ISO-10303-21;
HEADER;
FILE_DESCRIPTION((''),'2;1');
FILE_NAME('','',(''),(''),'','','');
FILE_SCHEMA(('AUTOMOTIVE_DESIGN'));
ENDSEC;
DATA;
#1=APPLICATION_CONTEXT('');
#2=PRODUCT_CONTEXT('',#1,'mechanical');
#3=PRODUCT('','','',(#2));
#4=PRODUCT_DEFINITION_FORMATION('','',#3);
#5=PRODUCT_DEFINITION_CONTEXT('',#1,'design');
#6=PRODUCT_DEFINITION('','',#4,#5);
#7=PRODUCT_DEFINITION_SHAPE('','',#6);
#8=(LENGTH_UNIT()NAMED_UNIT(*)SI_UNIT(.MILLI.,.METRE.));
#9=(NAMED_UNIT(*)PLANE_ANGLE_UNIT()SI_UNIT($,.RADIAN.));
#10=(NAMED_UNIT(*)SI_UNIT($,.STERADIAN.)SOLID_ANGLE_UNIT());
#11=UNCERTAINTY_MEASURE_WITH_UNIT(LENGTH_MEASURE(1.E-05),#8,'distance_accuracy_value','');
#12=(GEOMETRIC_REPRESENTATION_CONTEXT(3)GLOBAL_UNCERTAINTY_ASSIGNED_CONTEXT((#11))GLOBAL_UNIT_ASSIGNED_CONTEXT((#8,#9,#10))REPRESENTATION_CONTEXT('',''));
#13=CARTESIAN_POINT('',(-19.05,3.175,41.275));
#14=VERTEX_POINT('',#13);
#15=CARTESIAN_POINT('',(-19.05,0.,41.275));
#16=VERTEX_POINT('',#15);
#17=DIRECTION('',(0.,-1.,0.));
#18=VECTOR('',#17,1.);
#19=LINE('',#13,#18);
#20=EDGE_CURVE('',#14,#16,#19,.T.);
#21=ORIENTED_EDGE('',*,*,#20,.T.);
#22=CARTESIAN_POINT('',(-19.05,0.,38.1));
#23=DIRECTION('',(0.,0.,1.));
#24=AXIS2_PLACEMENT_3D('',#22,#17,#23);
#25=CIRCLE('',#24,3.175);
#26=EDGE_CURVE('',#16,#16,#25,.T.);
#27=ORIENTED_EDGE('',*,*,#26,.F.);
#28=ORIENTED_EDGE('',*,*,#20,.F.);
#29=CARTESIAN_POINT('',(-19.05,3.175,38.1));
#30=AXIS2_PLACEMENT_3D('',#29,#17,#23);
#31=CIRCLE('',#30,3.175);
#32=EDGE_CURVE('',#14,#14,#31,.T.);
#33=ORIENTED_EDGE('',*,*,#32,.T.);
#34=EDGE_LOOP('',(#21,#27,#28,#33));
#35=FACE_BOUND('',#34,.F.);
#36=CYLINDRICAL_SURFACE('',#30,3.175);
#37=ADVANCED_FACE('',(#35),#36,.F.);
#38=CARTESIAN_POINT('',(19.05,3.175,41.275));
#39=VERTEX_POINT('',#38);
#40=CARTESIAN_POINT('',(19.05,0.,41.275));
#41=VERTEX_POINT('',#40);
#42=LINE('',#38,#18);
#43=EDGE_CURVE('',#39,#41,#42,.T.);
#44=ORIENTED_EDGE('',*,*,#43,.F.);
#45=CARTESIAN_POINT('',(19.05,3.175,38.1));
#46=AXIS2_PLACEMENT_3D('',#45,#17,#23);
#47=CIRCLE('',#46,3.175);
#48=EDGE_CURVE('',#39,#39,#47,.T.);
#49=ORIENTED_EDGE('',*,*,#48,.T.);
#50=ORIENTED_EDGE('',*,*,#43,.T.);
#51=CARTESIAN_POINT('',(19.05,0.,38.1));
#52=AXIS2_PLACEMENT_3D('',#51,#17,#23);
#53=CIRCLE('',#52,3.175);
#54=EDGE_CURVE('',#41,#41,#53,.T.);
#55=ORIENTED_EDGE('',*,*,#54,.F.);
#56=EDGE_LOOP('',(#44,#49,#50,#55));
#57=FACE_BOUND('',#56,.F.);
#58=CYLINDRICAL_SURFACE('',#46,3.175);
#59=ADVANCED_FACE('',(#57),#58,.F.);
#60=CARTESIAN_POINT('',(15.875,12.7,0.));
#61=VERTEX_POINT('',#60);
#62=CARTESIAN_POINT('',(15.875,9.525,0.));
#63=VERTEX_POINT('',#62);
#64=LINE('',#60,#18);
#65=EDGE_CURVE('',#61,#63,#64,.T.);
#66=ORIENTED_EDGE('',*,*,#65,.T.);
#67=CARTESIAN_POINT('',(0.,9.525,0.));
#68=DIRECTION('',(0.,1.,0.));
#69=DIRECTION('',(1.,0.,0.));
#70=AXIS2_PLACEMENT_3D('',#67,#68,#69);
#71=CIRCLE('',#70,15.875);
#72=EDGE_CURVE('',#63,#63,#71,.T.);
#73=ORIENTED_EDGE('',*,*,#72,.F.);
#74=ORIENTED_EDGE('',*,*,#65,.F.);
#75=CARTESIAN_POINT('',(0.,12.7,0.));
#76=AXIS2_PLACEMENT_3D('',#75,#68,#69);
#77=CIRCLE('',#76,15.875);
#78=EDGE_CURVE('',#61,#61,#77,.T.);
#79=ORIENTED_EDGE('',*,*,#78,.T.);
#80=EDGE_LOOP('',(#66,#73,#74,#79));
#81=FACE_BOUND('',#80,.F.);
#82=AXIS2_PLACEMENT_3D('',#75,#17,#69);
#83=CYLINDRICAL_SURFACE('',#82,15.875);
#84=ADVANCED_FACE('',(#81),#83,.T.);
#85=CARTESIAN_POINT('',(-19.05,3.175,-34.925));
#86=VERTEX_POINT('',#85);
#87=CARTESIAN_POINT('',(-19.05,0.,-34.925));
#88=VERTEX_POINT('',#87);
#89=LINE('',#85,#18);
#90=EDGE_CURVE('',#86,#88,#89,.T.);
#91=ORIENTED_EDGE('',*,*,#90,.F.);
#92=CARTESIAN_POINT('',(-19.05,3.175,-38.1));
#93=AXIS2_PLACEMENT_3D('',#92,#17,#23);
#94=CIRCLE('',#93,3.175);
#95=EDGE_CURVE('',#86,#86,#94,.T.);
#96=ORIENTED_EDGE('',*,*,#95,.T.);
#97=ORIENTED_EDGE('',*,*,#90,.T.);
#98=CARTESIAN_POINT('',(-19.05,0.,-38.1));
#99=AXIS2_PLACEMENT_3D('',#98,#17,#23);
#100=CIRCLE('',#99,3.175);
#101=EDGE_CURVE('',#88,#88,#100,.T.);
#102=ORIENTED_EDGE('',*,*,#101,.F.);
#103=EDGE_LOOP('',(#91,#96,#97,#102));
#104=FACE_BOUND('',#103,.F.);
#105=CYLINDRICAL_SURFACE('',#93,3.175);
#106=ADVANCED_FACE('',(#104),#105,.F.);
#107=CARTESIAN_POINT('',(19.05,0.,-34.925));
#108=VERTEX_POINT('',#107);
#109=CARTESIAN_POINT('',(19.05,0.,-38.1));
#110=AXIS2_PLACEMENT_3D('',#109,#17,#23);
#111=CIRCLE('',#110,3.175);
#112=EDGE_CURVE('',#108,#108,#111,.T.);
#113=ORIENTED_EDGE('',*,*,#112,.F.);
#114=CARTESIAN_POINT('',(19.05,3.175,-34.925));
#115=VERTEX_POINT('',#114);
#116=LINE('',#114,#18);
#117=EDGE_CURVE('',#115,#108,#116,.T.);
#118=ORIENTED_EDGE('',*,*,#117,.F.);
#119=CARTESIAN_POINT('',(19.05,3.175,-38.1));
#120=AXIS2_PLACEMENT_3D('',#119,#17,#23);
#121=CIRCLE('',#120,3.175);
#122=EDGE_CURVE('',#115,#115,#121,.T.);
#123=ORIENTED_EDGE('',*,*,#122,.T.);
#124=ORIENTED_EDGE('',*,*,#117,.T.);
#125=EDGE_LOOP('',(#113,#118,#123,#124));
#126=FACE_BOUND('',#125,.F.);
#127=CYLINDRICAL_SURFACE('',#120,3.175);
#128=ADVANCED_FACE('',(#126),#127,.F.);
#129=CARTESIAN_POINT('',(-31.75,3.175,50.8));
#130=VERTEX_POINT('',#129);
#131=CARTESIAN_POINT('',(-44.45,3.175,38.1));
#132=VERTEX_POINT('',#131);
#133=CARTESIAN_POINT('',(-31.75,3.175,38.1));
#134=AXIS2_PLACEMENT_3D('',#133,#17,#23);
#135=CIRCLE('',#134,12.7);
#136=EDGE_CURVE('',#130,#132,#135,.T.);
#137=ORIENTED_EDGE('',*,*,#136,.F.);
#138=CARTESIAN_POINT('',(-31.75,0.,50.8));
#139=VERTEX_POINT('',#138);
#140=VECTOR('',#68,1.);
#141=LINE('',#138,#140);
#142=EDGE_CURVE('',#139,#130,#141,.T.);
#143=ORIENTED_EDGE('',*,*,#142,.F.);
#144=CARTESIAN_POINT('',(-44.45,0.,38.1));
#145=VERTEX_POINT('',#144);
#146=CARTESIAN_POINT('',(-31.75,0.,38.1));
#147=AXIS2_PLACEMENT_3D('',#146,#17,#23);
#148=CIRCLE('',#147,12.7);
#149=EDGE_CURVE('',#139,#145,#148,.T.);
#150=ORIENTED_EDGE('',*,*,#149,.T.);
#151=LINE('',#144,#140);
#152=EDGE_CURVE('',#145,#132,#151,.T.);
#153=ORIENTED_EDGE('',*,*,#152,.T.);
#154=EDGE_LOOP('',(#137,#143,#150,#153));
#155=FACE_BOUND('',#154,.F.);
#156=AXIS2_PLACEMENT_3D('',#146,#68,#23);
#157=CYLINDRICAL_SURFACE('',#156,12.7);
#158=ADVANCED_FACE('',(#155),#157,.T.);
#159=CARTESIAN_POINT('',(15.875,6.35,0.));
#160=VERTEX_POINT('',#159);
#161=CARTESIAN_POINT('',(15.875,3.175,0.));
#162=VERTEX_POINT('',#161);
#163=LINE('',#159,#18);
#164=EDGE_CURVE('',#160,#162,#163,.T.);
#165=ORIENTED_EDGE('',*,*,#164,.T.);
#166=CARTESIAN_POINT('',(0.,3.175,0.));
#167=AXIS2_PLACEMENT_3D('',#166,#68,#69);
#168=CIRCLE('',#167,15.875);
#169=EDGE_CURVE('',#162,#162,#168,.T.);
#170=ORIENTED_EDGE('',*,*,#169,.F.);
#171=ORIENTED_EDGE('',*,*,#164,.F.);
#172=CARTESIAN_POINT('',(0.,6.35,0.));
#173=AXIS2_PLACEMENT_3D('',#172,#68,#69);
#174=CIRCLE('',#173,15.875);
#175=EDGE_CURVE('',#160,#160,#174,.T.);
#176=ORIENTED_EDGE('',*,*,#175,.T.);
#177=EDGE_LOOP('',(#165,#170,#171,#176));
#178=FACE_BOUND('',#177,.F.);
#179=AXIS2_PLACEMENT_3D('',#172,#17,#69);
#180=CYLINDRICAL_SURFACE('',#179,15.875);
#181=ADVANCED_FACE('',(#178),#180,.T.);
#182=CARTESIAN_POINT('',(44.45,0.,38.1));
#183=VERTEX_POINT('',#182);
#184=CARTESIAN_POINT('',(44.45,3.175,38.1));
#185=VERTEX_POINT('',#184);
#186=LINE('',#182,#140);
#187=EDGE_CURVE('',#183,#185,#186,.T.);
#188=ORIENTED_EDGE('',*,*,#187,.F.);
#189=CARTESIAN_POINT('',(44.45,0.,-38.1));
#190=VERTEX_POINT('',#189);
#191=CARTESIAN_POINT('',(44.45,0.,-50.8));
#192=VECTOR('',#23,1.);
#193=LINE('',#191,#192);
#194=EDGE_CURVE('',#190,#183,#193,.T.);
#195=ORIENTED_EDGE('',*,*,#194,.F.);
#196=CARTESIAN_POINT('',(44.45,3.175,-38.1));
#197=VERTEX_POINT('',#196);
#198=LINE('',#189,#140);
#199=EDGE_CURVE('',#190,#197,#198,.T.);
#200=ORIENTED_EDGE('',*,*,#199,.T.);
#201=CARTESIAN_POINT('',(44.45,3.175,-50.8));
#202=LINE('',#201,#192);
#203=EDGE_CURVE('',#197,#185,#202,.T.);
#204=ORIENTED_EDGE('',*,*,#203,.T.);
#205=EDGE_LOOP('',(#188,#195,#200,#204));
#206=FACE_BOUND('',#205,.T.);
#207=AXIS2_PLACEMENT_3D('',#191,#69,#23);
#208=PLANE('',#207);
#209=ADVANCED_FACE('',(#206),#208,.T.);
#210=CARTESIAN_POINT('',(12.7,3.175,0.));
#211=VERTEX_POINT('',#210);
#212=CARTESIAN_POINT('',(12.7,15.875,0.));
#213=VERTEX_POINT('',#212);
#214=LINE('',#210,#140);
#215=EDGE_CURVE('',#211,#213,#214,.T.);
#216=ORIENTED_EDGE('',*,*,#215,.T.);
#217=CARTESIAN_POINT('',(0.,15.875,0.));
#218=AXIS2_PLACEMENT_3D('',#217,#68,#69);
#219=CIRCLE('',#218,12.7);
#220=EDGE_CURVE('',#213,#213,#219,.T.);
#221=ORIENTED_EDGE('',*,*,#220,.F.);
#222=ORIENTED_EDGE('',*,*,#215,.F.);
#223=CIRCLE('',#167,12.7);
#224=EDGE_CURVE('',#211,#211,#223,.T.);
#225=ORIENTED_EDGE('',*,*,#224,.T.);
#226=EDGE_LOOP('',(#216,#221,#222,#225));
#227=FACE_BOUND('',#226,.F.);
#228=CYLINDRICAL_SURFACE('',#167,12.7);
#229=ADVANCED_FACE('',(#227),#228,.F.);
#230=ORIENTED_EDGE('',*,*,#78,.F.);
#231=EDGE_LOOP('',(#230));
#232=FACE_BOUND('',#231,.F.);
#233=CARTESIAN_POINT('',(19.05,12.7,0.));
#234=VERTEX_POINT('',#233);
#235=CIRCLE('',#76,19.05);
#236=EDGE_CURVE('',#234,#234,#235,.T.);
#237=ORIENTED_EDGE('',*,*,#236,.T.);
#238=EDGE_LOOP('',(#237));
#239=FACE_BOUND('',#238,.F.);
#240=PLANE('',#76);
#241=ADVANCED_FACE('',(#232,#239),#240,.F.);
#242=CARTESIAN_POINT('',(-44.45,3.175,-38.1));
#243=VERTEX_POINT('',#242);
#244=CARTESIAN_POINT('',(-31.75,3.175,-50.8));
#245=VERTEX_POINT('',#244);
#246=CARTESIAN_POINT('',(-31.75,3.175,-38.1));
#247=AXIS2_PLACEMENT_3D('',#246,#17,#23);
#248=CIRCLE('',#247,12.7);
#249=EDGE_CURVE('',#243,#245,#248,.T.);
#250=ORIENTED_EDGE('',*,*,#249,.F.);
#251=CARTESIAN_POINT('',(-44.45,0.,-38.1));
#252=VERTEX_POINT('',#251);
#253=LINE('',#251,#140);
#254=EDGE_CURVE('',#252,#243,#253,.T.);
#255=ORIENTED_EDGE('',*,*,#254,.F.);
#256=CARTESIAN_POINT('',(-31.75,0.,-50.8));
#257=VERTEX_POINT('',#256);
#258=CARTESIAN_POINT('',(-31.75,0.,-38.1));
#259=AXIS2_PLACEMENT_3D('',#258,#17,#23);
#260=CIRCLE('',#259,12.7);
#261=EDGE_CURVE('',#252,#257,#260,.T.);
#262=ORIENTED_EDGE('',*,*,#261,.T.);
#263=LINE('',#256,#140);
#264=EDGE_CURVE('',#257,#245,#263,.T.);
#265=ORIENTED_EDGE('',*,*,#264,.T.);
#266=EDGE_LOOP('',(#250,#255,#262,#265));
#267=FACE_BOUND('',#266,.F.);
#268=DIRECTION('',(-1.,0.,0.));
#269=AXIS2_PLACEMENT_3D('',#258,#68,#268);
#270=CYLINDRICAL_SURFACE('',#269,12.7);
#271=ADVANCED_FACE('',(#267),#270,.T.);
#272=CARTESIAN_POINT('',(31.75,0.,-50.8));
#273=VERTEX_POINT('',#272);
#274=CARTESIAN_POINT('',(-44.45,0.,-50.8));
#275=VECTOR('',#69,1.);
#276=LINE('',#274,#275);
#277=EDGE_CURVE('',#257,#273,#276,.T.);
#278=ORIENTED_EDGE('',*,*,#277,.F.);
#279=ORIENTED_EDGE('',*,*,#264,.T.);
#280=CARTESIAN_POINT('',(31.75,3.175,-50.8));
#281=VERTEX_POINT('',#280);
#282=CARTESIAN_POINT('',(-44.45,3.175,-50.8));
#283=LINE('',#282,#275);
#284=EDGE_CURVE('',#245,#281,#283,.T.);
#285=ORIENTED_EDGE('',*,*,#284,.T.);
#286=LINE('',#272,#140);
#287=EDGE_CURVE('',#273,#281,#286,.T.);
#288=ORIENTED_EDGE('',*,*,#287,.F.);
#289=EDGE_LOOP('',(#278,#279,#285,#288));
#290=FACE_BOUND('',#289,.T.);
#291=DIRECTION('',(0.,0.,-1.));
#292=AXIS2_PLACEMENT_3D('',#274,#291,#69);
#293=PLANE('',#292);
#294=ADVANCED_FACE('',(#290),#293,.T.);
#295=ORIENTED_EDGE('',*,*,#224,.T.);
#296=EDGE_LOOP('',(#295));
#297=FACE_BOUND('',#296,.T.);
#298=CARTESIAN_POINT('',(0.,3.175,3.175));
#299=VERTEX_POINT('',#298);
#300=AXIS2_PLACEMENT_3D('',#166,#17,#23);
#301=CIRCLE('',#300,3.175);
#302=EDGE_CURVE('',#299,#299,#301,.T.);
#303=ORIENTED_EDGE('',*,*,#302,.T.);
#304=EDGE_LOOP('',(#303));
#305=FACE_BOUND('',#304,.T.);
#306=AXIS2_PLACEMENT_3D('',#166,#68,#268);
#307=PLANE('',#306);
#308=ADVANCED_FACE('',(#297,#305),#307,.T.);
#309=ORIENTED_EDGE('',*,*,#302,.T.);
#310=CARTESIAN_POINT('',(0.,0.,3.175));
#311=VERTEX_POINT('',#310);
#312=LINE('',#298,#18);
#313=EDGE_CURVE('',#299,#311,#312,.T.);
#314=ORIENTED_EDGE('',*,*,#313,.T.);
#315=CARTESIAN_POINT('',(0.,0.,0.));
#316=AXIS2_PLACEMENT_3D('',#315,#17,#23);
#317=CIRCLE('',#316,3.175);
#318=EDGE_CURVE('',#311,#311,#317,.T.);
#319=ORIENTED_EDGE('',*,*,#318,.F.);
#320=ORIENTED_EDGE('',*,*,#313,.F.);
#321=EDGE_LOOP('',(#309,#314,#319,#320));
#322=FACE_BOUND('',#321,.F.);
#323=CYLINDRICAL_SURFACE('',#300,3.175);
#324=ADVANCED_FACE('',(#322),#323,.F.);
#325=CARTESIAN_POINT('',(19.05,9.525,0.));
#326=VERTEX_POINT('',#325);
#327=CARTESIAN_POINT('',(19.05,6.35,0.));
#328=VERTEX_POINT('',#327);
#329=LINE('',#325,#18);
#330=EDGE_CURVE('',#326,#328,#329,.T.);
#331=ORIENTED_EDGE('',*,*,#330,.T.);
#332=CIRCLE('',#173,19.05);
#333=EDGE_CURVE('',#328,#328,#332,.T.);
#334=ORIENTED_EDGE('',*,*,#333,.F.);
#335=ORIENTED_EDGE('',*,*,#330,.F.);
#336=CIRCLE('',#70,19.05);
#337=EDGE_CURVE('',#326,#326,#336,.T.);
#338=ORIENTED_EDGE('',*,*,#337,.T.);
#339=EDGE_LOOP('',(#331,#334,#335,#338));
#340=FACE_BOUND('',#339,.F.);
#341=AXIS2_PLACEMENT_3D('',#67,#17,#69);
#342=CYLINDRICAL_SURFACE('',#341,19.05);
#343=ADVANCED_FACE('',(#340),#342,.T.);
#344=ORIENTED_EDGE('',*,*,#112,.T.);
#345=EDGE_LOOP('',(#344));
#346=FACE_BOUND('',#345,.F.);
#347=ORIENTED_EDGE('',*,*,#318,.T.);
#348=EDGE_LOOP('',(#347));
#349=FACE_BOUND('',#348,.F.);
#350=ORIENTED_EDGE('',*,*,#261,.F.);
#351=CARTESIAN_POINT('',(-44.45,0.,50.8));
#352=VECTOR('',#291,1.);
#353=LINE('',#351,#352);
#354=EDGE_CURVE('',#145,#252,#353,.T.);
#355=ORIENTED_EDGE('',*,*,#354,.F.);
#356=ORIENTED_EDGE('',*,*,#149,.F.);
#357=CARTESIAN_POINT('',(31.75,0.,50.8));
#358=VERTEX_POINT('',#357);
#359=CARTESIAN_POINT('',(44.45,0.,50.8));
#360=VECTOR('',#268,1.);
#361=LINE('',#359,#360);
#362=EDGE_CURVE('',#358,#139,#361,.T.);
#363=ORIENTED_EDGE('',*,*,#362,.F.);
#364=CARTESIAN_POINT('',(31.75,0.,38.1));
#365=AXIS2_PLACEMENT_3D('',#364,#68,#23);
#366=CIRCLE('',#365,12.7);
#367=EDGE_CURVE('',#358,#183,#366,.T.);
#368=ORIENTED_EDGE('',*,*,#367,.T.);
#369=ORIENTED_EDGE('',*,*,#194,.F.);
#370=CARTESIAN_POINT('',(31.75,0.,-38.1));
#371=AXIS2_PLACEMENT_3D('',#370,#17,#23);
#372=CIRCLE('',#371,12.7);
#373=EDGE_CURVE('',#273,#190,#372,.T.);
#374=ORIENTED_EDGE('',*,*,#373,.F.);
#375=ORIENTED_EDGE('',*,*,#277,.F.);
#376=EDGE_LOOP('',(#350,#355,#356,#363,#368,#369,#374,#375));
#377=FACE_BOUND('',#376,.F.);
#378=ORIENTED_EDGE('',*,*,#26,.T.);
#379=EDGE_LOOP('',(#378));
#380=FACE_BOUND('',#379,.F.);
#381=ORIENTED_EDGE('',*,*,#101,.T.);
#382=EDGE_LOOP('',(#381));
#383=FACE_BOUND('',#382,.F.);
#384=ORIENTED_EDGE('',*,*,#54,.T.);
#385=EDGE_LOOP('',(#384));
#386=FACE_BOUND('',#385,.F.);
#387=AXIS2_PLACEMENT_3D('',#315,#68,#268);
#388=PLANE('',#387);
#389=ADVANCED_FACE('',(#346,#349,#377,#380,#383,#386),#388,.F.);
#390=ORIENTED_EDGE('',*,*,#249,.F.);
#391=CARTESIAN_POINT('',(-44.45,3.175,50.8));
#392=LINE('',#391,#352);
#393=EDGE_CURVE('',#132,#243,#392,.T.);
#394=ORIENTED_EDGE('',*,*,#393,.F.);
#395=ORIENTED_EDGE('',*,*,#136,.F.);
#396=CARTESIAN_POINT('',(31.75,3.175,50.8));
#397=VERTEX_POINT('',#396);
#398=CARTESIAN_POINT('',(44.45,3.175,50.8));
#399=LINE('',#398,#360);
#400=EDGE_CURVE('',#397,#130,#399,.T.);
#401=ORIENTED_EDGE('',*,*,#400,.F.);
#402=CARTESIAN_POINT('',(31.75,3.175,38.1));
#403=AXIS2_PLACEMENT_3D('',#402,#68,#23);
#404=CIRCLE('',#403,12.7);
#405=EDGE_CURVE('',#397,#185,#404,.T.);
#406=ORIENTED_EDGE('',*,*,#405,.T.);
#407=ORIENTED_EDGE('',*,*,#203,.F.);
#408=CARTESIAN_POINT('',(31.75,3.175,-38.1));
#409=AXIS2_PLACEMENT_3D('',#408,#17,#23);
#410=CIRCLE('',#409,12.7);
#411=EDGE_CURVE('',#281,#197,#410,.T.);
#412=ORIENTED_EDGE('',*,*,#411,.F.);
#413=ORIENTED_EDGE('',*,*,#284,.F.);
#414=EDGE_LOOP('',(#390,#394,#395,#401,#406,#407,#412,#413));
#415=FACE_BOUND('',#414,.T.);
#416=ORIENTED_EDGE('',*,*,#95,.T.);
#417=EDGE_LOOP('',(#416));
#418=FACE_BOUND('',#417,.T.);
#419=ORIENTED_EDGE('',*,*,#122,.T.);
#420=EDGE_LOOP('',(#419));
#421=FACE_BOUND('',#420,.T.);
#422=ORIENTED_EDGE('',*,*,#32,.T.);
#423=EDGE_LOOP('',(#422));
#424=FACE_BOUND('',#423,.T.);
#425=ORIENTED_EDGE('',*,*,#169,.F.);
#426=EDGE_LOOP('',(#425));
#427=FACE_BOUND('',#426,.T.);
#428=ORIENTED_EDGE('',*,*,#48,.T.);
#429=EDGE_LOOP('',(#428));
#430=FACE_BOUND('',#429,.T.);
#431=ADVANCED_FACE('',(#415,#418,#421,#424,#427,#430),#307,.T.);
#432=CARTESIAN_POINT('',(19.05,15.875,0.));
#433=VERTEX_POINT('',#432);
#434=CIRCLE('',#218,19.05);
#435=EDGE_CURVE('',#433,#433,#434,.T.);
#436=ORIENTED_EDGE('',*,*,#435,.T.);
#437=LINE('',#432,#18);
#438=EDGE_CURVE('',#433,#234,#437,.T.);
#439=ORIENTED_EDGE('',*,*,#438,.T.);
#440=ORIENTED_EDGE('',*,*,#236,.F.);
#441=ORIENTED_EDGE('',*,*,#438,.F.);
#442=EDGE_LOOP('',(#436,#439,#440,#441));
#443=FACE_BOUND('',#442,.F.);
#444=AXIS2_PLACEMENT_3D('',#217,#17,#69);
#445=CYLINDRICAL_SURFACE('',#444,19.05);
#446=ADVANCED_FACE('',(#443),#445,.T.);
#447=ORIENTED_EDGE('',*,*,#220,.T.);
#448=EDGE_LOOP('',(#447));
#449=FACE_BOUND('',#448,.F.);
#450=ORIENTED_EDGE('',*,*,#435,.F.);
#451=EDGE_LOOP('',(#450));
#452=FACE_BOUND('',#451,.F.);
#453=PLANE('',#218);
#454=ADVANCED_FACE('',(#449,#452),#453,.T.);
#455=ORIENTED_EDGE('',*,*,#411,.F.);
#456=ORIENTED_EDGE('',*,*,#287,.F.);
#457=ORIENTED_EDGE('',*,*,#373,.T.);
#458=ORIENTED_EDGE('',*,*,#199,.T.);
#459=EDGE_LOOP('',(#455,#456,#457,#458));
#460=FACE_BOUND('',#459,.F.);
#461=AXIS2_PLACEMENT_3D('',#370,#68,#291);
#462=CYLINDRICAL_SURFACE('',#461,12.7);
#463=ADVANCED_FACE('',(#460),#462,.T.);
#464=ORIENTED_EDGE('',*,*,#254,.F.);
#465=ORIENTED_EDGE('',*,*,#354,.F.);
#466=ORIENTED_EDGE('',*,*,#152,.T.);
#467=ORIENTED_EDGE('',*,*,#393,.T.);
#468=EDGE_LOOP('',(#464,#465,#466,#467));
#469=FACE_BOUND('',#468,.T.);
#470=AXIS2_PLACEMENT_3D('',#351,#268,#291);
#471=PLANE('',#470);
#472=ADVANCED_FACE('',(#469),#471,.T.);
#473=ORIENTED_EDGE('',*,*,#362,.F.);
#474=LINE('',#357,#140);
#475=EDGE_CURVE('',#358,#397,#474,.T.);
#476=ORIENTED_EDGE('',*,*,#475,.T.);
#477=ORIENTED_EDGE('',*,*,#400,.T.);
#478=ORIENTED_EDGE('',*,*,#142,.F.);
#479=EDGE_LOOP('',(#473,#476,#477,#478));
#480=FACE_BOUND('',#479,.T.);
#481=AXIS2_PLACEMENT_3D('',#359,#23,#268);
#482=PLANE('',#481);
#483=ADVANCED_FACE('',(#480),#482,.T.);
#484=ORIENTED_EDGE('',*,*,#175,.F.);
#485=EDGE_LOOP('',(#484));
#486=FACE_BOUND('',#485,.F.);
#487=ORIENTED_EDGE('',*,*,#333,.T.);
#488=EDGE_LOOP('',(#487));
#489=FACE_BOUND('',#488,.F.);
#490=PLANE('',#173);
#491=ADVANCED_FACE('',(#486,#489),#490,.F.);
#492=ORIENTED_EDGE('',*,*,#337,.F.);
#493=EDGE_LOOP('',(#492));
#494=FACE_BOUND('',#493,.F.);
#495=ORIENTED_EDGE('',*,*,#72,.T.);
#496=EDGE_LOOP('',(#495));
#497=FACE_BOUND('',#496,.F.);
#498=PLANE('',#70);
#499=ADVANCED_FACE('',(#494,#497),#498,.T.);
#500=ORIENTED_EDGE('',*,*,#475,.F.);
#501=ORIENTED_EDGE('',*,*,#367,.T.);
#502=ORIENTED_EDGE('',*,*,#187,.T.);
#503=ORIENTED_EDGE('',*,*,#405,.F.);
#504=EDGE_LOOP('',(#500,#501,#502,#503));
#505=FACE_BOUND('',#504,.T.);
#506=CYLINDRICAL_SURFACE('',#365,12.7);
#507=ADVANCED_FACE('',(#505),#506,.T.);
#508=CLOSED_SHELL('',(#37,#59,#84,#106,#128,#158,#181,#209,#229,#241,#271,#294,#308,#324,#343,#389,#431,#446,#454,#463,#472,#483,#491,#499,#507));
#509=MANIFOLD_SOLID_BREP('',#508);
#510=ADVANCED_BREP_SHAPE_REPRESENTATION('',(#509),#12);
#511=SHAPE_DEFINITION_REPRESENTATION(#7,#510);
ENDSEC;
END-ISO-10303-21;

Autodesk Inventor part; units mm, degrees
ref_plane "YZ Plane" through (0, 0, 0) normal (1, 0, 0) x (0, 1, 0)
ref_plane "XZ Plane" through (0, 0, 0) normal (0, 1, 0) x (-1, 0, 0)
ref_plane "XY Plane" through (0, 0, 0) normal (0, 0, 1) x (1, 0, 0)
sketch "Sketch2" plane through (0, 0, 0) normal (0, 1, 0) x (-1, 0, 0)
  line L0 (-44.45, 50.8) -> (44.45, 50.8)
  line L1 (44.45, 50.8) -> (44.45, -50.8)
  line L2 (44.45, -50.8) -> (-44.45, -50.8)
  line L3 (-44.45, -50.8) -> (-44.45, 50.8)
  point P0 (0, 0)
  dimension "d0" = 44.45
  dimension "d1" = 44.45
  dimension "d2" = 50.8
  dimension "d3" = 50.8
extrude "Extrusion1" add sketch "Sketch2" along normal blind 3.175
fillet "Fillet1" radius 12.7 4 edges at (44.45, 1.5875, 50.8) (44.45, 1.5875, -50.8) (-44.45, 1.5875, 50.8) (-44.45, 1.5875, -50.8)
sketch "Sketch3" plane through (0, 3.175, 0) normal (0, 1, 0) x (1, 0, 0)
  line L0 (-44.45, -38.1) -> (-44.45, 38.1) projected
  line L1 (31.75, -50.8) -> (-31.75, -50.8) projected
  line L2 (44.45, 38.1) -> (44.45, -38.1) projected
  line L3 (-31.75, 50.8) -> (31.75, 50.8) projected
  point P0 (0, 0)
  point P1 (0, 0)
  point P2 (-19.05, 38.1)
  point P3 (19.05, 38.1)
  point P4 (19.05, -38.1)
  point P5 (-19.05, -38.1)
  dimension "d7" = 12.7
  dimension "d8" = 25.4
  dimension "d9" = 12.7
  dimension "d10" = 25.4
hole "Hole1" at (0, 3.175, 0) at (-19.05, 3.175, -38.1) at (19.05, 3.175, -38.1) at (19.05, 3.175, 38.1) at (-19.05, 3.175, 38.1) direction (0, -1, 0) diameter 6.35 end through all
sketch "Sketch4" plane through (0, 0, 0) normal (0, 0, 1) x (1, 0, 0)
  line L0 (12.7, 3.175) -> (12.7, 15.875)
  line L1 (12.7, 15.875) -> (19.05, 15.875)
  line L2 (19.05, 15.875) -> (19.05, 12.7)
  line L3 (19.05, 12.7) -> (15.875, 12.7)
  line L4 (15.875, 3.175) -> (12.7, 3.175)
  line L5 (15.875, 3.175) -> (12.7, 3.175)
  line L6 (15.875, 12.7) -> (15.875, 9.525)
  line L7 (15.875, 9.525) -> (19.05, 9.525)
  line L8 (19.05, 9.525) -> (19.05, 6.35)
  line L9 (19.05, 6.35) -> (15.875, 6.35)
  line L10 (15.875, 6.35) -> (15.875, 3.175)
  line L11 (15.875, 3.175) -> (12.7, 3.175)
  line L12 (0, -3.175) -> (0, 19.05) projected
  point P0 (0, 0)
  dimension "d18" = 12.7
  dimension "d19" = 6.35
  dimension "d20" = 3.175
  dimension "d21" = 3.175
  dimension "d22" = 9.525
  dimension "d23" = 12.7
  dimension "d24" = 3.175
  dimension "d25" = 3.175
  dimension "d26" = 3.175
  dimension "d27" = 3.175
  dimension "d28" = 3.175
revolve "Revolution1" add sketch "Sketch4" angle 360 about axis through (0, -10, 0) along (0, 1, 0)
equation "\"d1\" = d0"
equation "\"d3\" = d2"
equation "\"d4\" = metalThickness"
equation "\"metalThickness\" = 3.175"
properties part number "Rotation Base" material "Aluminum-6061"
